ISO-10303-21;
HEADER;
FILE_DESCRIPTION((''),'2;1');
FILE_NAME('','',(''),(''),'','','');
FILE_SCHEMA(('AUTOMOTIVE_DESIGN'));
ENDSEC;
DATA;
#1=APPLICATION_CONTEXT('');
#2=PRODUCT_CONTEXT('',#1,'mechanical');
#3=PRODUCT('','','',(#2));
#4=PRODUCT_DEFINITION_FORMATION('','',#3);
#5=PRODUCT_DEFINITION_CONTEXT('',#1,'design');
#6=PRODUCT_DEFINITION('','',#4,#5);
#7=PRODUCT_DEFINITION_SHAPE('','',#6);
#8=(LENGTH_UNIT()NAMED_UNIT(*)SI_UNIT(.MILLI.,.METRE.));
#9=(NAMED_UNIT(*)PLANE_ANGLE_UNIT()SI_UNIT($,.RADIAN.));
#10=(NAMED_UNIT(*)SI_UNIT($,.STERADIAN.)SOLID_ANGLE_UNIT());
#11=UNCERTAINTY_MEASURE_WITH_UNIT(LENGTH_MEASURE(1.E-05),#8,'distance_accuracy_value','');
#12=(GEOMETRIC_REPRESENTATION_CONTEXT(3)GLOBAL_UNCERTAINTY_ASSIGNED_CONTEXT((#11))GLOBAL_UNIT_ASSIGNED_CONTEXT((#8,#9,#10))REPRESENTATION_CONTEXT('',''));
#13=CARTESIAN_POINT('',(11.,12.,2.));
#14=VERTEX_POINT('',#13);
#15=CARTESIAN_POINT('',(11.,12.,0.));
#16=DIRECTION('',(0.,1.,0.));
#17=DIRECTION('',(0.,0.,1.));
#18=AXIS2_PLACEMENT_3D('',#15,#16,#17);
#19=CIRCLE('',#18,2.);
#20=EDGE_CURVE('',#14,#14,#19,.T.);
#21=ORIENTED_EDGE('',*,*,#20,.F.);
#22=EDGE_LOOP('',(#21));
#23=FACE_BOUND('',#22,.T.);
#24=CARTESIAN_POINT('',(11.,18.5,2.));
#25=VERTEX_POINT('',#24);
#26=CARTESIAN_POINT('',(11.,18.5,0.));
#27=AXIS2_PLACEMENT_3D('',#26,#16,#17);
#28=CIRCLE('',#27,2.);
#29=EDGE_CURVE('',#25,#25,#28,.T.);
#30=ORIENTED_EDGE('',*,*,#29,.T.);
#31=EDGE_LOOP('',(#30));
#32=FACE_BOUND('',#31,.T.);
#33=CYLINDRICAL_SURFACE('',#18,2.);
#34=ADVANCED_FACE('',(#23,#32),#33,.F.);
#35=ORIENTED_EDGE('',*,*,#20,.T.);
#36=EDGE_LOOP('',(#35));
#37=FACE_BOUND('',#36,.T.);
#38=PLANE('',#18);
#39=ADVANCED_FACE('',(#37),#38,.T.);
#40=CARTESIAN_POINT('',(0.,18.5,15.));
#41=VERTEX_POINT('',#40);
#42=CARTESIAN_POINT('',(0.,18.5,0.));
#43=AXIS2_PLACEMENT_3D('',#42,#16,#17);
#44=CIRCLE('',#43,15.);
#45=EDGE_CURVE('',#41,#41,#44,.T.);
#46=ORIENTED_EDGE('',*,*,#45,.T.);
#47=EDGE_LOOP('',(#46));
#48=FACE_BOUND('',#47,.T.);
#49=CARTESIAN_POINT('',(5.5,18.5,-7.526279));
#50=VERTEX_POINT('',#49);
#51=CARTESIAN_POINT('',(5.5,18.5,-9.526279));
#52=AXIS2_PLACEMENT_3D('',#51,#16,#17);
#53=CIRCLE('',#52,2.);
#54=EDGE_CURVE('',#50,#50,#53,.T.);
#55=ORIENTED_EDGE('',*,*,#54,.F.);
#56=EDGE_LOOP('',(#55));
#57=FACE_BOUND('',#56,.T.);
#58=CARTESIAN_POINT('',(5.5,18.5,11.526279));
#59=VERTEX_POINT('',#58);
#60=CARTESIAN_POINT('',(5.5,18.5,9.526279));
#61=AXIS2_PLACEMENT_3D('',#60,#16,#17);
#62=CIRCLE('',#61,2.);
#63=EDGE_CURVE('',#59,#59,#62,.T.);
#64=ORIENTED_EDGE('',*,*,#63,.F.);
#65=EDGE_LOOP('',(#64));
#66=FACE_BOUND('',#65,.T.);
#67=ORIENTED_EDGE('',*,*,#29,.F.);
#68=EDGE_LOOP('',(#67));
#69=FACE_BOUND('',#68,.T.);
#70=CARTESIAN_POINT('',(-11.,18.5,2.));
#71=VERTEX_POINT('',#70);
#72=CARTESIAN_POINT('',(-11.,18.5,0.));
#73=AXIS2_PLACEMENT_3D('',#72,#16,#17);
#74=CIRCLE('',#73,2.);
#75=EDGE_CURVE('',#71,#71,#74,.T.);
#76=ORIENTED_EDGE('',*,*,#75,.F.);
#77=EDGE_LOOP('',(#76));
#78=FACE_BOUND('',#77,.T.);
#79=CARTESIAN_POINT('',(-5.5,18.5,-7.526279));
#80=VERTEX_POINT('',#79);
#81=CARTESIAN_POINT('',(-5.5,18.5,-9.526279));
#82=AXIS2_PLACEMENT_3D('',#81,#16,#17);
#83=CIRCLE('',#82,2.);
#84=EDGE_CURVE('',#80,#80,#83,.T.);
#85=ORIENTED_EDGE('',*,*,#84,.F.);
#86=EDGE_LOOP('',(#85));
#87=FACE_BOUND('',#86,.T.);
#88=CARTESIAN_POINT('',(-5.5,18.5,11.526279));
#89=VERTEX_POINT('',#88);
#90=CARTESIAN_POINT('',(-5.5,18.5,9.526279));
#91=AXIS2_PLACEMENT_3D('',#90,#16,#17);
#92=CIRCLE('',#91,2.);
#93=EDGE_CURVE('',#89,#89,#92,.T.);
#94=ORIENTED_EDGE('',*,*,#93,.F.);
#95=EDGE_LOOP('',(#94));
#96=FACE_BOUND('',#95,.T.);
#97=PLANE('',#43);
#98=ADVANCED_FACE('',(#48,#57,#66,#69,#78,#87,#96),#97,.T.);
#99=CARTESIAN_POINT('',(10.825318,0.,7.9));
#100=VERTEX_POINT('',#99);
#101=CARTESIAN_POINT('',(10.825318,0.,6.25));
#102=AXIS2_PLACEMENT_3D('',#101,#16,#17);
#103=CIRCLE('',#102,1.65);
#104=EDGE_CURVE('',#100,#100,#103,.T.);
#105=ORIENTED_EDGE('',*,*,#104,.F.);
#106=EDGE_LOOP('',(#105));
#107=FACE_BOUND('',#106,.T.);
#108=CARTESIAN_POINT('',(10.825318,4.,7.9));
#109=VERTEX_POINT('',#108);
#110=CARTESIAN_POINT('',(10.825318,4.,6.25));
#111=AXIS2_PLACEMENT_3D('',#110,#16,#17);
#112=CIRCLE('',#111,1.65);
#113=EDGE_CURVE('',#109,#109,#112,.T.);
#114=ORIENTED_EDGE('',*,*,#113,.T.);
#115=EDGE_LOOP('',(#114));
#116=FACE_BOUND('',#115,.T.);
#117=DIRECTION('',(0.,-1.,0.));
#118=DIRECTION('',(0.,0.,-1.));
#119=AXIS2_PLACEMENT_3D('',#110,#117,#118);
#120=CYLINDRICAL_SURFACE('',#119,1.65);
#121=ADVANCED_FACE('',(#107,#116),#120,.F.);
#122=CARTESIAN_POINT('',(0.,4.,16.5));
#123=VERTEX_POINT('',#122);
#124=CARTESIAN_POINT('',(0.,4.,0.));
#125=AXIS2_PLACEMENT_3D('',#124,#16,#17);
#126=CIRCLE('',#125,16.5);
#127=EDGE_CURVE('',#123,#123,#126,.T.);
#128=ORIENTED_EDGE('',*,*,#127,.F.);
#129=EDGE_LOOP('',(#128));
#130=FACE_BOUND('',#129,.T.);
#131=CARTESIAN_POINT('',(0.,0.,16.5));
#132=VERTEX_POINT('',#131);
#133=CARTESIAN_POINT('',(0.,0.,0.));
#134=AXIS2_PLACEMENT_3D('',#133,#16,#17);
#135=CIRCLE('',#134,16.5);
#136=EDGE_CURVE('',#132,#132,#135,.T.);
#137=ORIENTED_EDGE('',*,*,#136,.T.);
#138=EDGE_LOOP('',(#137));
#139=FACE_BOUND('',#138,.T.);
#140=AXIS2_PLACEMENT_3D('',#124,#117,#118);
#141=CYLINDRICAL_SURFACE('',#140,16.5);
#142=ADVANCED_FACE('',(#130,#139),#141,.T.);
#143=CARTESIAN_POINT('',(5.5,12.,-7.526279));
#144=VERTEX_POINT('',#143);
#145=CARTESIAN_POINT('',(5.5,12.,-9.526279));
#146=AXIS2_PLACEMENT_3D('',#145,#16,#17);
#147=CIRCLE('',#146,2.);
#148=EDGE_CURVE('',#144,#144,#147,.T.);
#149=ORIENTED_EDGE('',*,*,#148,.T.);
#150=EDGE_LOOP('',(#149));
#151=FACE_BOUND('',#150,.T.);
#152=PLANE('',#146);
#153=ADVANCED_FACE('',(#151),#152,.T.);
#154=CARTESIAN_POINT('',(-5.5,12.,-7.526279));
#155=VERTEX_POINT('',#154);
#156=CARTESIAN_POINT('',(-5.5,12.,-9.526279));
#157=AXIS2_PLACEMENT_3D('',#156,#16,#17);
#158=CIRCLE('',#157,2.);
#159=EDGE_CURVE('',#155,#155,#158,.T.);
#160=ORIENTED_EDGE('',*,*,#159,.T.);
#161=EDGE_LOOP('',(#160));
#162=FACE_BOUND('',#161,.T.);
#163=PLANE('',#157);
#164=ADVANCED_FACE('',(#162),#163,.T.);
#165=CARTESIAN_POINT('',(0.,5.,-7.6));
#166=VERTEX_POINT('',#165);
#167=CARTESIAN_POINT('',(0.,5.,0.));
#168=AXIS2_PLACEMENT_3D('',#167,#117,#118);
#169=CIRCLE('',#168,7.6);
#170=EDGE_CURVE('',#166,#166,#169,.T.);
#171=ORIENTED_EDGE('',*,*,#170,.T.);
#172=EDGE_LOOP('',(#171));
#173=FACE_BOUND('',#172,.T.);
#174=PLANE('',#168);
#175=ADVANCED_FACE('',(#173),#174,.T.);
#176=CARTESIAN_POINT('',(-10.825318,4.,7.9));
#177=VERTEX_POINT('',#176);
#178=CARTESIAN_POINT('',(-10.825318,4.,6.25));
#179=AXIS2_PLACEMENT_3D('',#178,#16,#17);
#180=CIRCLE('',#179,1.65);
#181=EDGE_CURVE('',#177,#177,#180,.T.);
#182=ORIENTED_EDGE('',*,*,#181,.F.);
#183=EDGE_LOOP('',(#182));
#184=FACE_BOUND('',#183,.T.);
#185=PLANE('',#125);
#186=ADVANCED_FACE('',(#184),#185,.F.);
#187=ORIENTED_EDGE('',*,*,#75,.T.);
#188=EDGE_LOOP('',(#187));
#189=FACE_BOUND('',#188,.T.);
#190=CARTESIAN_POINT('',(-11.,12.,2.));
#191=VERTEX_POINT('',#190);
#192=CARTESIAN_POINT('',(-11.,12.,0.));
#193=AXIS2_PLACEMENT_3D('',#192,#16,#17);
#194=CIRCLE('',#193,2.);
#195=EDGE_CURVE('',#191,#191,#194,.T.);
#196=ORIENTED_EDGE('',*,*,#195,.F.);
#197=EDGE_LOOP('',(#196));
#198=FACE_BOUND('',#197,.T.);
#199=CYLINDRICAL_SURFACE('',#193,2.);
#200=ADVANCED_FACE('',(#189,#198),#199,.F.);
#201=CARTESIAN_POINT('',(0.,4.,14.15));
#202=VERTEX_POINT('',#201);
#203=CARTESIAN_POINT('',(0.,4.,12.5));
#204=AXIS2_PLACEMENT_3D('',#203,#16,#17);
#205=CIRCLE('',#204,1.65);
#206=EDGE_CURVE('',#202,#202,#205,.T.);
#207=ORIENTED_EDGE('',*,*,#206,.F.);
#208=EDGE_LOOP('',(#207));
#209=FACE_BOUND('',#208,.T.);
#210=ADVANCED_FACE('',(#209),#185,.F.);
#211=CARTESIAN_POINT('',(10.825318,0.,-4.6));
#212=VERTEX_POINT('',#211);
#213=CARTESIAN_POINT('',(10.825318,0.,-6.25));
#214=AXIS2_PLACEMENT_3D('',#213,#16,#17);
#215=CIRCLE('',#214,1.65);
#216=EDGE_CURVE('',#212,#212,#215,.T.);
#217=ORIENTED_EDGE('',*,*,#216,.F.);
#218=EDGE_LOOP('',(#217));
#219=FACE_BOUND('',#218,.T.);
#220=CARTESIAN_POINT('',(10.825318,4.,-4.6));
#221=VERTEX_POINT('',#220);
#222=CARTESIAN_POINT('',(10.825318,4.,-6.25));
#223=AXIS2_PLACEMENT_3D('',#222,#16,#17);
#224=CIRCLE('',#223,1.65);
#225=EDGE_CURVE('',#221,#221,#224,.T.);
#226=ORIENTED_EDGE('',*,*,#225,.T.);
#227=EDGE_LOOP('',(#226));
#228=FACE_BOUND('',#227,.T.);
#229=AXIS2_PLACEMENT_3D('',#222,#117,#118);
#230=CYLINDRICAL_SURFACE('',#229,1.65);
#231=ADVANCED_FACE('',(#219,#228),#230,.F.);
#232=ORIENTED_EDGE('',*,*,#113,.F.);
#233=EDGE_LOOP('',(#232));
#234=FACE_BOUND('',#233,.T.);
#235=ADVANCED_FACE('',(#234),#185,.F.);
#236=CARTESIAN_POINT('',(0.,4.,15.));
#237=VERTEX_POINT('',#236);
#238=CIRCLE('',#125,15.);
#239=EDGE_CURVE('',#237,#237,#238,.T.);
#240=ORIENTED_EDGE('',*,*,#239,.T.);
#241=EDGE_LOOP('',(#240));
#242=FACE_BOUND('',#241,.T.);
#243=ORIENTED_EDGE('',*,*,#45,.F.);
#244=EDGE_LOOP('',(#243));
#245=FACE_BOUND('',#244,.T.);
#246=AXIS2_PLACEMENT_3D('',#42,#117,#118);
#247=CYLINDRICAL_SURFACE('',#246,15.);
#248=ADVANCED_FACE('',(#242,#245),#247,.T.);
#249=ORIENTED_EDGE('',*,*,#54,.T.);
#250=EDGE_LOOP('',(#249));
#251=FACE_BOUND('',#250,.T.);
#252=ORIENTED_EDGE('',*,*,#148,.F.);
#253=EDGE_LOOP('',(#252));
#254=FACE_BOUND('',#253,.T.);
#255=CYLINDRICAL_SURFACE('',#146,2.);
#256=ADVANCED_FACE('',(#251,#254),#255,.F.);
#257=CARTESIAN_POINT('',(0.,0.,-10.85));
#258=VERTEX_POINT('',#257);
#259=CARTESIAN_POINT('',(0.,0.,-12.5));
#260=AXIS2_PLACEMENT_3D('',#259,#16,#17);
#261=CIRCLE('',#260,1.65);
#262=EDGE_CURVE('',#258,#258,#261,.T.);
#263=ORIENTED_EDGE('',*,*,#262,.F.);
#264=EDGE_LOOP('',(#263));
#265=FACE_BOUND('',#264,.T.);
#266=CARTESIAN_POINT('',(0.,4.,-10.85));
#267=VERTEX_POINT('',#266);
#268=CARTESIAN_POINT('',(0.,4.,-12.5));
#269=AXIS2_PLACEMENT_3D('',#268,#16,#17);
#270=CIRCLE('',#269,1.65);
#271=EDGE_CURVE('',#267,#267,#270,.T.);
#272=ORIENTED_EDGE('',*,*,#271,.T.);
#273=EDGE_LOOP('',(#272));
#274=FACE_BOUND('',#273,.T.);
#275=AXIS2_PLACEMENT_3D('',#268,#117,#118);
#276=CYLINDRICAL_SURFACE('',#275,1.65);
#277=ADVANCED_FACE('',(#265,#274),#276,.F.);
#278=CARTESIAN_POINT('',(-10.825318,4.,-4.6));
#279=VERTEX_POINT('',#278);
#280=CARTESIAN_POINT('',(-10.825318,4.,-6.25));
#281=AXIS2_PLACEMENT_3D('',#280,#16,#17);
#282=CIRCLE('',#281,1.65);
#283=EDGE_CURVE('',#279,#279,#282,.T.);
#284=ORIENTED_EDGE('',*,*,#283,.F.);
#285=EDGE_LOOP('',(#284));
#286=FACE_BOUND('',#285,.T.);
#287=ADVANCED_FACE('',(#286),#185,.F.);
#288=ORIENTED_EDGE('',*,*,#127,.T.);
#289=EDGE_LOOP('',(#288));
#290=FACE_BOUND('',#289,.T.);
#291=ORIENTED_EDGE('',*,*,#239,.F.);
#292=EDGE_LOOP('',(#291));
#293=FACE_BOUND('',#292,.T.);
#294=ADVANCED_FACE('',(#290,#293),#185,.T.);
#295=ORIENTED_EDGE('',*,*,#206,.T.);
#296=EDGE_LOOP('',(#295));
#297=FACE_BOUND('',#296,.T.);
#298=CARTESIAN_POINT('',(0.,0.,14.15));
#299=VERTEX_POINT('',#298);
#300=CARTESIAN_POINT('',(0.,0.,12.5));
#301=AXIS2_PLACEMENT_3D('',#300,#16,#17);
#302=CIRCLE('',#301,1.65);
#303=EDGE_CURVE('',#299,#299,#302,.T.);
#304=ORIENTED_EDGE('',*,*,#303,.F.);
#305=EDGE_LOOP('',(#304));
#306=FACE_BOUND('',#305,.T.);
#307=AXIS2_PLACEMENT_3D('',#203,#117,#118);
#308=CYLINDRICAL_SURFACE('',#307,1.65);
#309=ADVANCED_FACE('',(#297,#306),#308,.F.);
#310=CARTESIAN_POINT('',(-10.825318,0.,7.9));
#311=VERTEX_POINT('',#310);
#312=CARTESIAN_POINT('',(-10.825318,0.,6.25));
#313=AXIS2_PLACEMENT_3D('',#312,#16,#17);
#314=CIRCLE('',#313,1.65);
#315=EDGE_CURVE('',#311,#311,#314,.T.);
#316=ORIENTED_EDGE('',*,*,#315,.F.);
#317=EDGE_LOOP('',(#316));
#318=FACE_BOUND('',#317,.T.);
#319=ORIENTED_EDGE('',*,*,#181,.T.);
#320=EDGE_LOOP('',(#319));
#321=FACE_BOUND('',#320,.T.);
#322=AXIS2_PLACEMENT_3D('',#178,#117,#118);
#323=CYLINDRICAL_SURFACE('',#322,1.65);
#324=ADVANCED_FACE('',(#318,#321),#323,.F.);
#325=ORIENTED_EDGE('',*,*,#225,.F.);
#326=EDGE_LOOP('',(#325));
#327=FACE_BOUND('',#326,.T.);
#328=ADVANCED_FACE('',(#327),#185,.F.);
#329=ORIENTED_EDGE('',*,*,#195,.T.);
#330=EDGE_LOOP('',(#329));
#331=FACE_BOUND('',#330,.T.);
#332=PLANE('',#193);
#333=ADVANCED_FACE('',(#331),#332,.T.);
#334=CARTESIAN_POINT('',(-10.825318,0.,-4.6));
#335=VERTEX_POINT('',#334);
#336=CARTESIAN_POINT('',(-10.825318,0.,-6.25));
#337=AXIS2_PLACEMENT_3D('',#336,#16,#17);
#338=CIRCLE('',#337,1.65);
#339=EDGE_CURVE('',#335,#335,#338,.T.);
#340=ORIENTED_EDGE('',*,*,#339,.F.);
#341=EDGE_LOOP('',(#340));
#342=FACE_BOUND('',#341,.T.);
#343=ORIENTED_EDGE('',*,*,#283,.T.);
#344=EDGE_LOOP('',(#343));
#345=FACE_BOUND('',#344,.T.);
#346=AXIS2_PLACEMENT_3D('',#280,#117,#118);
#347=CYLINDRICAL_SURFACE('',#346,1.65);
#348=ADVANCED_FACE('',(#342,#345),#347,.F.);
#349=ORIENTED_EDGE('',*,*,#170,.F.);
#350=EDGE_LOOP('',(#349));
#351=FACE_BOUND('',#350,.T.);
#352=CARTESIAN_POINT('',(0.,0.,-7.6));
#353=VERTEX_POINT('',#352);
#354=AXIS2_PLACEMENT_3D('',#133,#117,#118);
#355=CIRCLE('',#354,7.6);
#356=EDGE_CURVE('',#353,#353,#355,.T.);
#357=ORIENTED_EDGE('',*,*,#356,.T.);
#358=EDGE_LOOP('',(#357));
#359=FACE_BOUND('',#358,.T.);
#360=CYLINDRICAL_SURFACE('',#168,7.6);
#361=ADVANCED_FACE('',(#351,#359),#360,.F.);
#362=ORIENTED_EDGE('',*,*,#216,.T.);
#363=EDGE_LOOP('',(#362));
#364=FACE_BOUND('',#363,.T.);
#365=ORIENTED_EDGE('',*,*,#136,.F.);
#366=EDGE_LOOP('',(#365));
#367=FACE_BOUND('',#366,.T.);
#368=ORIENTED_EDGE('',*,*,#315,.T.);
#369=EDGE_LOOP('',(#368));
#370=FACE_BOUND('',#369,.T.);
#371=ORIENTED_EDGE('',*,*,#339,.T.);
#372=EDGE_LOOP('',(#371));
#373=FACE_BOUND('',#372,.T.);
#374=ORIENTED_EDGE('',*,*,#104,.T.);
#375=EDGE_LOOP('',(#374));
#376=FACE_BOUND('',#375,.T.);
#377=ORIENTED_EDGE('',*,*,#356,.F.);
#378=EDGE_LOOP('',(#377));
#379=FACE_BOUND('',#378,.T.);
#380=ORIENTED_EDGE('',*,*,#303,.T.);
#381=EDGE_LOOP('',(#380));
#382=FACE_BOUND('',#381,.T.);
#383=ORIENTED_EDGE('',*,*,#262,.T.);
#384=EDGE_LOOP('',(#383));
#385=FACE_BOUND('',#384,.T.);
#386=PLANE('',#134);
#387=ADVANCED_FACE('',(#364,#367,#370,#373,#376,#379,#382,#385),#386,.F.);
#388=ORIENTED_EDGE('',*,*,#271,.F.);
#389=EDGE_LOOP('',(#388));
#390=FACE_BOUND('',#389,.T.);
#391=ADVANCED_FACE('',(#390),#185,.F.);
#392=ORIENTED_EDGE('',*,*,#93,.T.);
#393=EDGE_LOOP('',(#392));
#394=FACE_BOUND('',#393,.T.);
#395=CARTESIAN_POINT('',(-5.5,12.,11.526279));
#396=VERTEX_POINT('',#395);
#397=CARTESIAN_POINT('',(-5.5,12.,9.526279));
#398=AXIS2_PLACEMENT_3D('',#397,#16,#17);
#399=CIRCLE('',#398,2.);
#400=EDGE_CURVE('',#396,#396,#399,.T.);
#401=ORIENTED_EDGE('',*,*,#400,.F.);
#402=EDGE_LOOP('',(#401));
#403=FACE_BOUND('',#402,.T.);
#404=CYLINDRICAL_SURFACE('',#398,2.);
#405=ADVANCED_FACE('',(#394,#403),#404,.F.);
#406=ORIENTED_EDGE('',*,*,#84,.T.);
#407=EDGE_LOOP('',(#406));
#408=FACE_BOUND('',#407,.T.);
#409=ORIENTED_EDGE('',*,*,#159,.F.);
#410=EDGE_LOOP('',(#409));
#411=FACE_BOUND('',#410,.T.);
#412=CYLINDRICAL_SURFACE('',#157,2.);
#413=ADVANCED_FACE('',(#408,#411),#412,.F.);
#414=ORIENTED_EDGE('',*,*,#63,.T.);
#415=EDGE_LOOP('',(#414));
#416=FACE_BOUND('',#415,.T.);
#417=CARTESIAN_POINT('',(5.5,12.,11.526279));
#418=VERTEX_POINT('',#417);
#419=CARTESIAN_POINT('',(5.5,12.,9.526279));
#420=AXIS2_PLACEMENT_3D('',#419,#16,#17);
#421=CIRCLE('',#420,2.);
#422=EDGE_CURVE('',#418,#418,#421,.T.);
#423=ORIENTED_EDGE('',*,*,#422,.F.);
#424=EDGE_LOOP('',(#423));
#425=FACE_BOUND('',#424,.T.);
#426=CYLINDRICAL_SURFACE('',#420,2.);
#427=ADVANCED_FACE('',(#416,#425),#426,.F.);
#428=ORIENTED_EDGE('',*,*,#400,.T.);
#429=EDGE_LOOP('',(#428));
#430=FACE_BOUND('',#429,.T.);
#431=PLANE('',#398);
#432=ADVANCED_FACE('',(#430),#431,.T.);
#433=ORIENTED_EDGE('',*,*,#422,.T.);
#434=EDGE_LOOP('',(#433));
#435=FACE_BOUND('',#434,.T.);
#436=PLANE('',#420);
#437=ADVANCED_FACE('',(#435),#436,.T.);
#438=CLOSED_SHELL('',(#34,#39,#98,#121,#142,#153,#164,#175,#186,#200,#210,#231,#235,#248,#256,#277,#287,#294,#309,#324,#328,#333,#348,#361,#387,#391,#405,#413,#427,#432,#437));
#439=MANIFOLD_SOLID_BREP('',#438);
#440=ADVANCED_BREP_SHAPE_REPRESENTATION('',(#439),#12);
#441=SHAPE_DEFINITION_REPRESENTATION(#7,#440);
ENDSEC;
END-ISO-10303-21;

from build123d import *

# Parameters (mm, degrees)
SKETCH1_R           = 16.5
SKETCH1_R_2         = 1.65
BOSS_EXTRUDE1_DEPTH = 4
SKETCH2_R           = 15
BOSS_EXTRUDE2_DEPTH = 14.5
SKETCH5_R           = 2
CUT_EXTRUDE3_DEPTH  = 6.5
SKETCH6_R           = 7.6
CUT_EXTRUDE4_DEPTH  = 5


with BuildPart() as part:
    # Sketch1 → Boss-Extrude1 (new body)
    with BuildSketch(Plane(origin=(0, 0, 0), x_dir=(1, 0, 0), z_dir=(0, 1, 0))):
        Circle(SKETCH1_R)
        with Locations((0, 12.5)):
            Circle(SKETCH1_R_2, mode=Mode.SUBTRACT)
        with Locations((10.825317547, 6.25)):
            Circle(SKETCH1_R_2, mode=Mode.SUBTRACT)
        with Locations((10.825317547, -6.25)):
            Circle(SKETCH1_R_2, mode=Mode.SUBTRACT)
        with Locations((0, -12.5)):
            Circle(SKETCH1_R_2, mode=Mode.SUBTRACT)
        with Locations((-10.825317547, -6.25)):
            Circle(SKETCH1_R_2, mode=Mode.SUBTRACT)
        with Locations((-10.825317547, 6.25)):
            Circle(SKETCH1_R_2, mode=Mode.SUBTRACT)
    extrude(amount=BOSS_EXTRUDE1_DEPTH)

    # Sketch2 → Boss-Extrude2 (add)
    with BuildSketch(Plane(origin=(0, 4, 0), x_dir=(1, 0, 0), z_dir=(0, 1, 0))):
        Circle(SKETCH2_R)
    extrude(amount=BOSS_EXTRUDE2_DEPTH)

    # Sketch5 → Cut-Extrude3 (cut)
    with BuildSketch(Plane(origin=(0, 18.5, 0), x_dir=(1, 0, 0), z_dir=(0, 1, 0))):
        with Locations((-11, 0)):
            Circle(SKETCH5_R)
        with Locations((-5.5, 9.526279442)):
            Circle(SKETCH5_R)
        with Locations((5.5, 9.526279442)):
            Circle(SKETCH5_R)
        with Locations((11, 0)):
            Circle(SKETCH5_R)
        with Locations((5.5, -9.526279442)):
            Circle(SKETCH5_R)
        with Locations((-5.5, -9.526279442)):
            Circle(SKETCH5_R)
    extrude(amount=-CUT_EXTRUDE3_DEPTH, mode=Mode.SUBTRACT)

    # Sketch6 → Cut-Extrude4 (cut)
    with BuildSketch(Plane.XZ):
        Circle(SKETCH6_R)
    extrude(amount=-CUT_EXTRUDE4_DEPTH, mode=Mode.SUBTRACT)


solid = part.part
